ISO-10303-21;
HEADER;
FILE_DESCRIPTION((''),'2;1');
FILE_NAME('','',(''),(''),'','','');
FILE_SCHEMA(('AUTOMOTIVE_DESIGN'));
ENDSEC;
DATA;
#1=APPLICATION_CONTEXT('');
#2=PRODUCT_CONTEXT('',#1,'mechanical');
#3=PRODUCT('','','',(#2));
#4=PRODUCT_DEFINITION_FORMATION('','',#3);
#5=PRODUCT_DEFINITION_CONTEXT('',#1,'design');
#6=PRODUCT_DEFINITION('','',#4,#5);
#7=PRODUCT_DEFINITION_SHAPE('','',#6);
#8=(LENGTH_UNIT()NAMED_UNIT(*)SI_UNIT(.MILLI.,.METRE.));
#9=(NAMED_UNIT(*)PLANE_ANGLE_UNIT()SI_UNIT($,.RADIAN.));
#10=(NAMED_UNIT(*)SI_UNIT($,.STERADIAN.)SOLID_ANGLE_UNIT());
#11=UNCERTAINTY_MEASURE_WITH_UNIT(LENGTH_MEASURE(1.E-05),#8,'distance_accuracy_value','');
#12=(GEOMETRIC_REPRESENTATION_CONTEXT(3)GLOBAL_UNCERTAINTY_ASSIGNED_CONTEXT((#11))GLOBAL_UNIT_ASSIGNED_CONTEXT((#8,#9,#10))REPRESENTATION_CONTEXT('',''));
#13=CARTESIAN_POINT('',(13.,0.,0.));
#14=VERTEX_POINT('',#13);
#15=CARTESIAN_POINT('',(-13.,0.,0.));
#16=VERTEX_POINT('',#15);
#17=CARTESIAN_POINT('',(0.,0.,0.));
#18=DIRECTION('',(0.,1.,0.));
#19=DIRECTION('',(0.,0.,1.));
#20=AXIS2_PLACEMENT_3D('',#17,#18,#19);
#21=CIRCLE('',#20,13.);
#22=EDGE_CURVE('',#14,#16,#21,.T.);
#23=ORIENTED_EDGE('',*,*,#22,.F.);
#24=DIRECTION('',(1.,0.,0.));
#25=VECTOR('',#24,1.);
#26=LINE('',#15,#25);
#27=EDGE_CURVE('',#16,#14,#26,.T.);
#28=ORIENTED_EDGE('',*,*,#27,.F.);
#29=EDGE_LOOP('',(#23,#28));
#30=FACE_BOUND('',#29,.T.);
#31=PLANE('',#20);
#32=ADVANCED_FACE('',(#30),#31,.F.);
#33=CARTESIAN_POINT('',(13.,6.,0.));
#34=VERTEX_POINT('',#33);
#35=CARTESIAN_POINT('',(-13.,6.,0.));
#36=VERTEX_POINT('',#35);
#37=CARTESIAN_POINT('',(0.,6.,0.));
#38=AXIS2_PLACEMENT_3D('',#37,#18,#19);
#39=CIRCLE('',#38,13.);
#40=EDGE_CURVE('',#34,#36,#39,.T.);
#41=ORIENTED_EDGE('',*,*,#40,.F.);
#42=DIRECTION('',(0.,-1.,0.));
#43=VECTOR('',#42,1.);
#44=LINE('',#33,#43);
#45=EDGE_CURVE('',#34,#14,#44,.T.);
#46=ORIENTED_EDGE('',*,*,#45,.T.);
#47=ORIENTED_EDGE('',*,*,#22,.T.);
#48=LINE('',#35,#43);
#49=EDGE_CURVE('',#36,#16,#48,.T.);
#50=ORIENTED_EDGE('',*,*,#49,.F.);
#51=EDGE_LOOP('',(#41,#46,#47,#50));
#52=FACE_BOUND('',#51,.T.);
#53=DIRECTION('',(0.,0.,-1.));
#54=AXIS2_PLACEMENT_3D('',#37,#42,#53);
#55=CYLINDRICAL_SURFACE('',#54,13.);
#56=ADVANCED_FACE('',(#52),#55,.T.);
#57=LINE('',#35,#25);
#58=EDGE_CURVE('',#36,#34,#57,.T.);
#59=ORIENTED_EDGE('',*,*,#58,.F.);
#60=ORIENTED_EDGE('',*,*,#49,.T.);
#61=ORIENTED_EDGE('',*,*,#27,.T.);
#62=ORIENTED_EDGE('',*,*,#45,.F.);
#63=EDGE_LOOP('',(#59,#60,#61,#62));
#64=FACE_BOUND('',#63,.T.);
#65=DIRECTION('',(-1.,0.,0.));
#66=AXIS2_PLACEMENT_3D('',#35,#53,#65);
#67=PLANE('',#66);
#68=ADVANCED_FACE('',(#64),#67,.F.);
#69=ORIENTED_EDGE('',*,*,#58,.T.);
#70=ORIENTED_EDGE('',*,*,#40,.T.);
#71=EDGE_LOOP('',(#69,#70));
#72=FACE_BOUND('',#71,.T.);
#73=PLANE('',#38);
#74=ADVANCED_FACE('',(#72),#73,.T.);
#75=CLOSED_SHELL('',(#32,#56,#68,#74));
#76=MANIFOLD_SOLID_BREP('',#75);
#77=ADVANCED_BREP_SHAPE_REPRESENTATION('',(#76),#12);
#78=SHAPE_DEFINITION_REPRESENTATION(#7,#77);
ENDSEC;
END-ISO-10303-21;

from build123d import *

# Parameters (mm, degrees)
BOSS_EXTRUDE1_DEPTH = 6


with BuildPart() as part:
    # Sketch2 → Boss-Extrude1 (new body)
    with BuildSketch(Plane(origin=(0, 0, 0), x_dir=(1, 0, 0), z_dir=(0, 1, 0))):
        with BuildLine():
            Line((-13, 0), (13, 0))
            ThreePointArc((13, 0), (0, 13), (-13, 0))
        make_face()
    extrude(amount=BOSS_EXTRUDE1_DEPTH)


solid = part.part
